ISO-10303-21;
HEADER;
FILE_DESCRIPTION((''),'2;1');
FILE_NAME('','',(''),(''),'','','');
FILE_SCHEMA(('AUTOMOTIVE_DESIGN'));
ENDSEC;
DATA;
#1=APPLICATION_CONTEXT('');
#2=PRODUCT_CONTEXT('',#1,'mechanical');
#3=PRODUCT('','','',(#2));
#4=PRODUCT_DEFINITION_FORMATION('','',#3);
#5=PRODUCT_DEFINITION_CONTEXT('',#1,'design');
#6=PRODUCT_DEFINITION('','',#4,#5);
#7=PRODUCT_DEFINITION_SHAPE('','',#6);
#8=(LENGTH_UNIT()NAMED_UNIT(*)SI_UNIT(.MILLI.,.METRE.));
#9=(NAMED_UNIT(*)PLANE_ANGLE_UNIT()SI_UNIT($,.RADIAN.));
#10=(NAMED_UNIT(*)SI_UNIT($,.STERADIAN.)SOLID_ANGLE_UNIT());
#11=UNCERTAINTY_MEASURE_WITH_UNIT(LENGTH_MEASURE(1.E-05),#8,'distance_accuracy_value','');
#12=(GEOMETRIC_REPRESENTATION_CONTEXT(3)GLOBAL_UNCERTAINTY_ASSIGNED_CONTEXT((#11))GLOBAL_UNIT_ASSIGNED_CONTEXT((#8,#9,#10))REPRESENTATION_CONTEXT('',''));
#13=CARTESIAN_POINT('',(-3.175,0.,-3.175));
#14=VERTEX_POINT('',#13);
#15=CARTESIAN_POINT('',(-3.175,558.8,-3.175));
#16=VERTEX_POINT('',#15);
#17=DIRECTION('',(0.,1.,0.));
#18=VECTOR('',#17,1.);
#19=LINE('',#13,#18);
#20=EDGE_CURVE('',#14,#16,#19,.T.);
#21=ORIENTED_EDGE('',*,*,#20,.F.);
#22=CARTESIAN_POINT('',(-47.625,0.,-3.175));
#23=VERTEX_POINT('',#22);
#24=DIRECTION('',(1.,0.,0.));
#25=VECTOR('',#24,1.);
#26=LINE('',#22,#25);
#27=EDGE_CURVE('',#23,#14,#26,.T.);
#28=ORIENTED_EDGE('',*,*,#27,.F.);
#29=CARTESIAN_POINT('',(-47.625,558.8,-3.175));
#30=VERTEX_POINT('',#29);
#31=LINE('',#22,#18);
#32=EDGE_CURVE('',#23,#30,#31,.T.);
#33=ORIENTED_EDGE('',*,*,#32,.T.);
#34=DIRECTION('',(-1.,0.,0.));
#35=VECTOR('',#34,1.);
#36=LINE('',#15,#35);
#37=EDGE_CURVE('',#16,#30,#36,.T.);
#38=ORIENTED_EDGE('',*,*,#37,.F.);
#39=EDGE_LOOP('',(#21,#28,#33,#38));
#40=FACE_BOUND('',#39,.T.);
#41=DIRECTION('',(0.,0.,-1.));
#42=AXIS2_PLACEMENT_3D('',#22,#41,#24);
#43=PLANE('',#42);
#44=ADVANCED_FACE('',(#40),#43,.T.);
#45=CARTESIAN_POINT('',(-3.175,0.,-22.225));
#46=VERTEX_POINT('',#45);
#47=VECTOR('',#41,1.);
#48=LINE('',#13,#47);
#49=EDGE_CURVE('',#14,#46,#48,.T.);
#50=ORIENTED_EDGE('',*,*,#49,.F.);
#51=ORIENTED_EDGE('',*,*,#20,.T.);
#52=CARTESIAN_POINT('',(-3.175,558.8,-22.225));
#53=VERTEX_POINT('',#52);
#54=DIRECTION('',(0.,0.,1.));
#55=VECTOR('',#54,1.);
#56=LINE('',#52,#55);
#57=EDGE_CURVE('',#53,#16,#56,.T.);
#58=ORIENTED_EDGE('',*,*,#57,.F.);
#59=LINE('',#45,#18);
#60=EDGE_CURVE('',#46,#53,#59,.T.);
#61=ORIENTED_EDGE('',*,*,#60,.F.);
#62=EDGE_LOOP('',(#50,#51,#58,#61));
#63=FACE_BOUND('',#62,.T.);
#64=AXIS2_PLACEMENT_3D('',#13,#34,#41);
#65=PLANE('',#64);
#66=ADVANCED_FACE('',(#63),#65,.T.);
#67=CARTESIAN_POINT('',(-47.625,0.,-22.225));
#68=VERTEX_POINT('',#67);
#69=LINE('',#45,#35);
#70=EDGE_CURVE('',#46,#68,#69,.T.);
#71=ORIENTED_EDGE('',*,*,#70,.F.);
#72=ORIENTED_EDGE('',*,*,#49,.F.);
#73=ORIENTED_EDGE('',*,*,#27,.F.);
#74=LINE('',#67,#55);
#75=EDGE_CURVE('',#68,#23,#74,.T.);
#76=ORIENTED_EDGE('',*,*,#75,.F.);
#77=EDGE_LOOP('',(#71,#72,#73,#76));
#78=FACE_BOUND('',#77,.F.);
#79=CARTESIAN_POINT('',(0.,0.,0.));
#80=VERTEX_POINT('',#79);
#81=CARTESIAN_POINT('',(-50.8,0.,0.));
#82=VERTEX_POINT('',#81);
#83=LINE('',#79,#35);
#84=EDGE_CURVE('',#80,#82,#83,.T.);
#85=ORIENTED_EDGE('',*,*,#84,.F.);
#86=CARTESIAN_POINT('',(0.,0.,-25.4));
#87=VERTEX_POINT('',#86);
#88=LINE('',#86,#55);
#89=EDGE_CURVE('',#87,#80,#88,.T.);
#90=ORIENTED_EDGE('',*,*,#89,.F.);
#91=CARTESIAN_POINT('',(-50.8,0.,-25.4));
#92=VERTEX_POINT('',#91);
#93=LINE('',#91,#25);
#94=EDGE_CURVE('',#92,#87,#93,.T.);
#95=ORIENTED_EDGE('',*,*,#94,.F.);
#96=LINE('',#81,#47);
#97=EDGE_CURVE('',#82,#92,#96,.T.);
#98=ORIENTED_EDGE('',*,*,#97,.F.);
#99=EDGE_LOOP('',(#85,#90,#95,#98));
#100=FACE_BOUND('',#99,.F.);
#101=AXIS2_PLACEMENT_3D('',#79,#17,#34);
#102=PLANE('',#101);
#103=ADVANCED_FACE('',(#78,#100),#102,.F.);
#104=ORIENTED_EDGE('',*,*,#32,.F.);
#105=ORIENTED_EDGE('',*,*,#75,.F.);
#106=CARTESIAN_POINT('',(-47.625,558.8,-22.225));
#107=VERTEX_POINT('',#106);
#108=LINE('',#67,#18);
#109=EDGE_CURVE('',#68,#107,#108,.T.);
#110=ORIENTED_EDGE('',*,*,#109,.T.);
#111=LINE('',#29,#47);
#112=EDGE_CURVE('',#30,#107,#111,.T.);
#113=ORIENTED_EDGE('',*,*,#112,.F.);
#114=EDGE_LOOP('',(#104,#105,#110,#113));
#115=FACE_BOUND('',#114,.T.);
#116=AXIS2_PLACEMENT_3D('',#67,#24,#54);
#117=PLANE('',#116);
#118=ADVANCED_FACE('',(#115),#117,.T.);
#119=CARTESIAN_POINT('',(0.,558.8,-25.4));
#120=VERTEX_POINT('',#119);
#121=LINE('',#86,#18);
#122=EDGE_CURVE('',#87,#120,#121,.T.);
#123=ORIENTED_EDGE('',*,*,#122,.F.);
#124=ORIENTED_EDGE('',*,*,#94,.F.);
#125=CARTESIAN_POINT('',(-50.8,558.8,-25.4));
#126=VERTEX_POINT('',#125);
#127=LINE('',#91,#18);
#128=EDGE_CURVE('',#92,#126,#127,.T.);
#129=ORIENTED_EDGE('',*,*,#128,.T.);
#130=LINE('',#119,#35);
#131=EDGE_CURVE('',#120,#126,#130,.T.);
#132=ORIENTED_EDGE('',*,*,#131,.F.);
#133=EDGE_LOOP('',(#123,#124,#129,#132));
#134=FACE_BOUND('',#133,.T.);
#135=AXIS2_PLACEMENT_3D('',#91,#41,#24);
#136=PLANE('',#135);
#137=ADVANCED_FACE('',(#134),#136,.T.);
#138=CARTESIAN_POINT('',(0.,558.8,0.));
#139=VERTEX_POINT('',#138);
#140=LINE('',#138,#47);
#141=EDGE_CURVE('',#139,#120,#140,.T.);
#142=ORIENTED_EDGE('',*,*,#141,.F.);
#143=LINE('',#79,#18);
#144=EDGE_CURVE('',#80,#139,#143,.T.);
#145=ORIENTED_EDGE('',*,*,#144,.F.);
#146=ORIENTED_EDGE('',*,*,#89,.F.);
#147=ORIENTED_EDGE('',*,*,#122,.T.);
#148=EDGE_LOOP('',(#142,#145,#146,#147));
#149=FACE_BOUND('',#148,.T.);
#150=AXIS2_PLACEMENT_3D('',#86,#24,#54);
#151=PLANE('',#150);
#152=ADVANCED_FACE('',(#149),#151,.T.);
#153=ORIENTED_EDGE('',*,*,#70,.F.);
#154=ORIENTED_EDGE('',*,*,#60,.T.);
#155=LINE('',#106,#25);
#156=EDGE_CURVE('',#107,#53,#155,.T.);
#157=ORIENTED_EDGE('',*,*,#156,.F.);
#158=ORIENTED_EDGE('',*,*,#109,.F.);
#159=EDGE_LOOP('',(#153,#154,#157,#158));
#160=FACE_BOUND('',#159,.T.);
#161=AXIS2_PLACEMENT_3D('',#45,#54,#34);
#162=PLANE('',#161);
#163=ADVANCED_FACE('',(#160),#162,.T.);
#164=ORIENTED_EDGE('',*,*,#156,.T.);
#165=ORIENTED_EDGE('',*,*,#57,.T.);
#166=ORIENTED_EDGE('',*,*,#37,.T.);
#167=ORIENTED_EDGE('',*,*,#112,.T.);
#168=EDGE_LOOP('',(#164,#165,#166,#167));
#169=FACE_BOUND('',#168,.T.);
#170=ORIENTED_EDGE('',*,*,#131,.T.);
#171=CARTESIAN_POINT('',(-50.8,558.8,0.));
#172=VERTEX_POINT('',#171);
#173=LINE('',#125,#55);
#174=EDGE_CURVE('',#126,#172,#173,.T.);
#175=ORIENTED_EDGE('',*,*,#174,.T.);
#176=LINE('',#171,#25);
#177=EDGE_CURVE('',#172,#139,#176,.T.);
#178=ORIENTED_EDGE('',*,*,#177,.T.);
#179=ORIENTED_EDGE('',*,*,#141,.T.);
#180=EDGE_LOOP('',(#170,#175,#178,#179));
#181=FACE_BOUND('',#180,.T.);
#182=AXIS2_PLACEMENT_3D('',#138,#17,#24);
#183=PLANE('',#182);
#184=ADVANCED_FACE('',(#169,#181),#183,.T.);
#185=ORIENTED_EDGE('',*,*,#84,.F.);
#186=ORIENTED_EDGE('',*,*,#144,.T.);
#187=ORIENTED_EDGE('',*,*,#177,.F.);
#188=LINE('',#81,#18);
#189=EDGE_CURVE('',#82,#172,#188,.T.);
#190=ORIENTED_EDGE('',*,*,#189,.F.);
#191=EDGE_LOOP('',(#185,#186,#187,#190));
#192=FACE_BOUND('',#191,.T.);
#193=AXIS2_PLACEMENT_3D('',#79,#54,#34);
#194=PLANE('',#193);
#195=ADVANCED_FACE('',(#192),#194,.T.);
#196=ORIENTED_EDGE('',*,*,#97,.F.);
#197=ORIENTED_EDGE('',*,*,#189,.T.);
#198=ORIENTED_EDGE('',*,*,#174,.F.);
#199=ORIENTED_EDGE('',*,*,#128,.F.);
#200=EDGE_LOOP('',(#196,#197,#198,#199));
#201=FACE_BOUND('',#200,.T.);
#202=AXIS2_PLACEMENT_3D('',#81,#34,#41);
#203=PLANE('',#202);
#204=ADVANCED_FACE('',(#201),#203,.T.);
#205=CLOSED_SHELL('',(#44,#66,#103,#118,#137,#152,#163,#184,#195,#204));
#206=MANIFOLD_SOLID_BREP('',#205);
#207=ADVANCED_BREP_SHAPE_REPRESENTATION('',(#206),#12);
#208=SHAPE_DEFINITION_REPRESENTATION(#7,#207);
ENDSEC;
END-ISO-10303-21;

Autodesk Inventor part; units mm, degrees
ref_plane "YZ Plane" through (0, 0, 0) normal (1, 0, 0) x (0, 1, 0)
ref_plane "XZ Plane" through (0, 0, 0) normal (0, 1, 0) x (-1, 0, 0)
ref_plane "XY Plane" through (0, 0, 0) normal (0, 0, 1) x (1, 0, 0)
sketch "Sketch1" plane through (0, 0, 0) normal (0, 1, 0) x (-1, 0, 0)
  line L0 (0, 0) -> (50.8, 0)
  line L1 (50.8, 0) -> (50.8, -25.4)
  line L2 (50.8, -25.4) -> (0, -25.4)
  line L3 (0, -25.4) -> (0, 0)
  line L4 (47.625, -22.225) -> (47.625, -3.175)
  line L5 (47.625, -3.175) -> (3.175, -3.175)
  line L6 (3.175, -3.175) -> (3.175, -22.225)
  line L7 (3.175, -22.225) -> (47.625, -22.225)
  dimension "d0" = 50.8
  dimension "d1" = 25.4
  dimension "d2" = 3.175
extrude "Extrusion1" add sketch "Sketch1" along normal blind 584.2
sketch "Sketch2" plane through (0, 584.2, 0) normal (0, 1, 0) x (1, 0, 0)
  line L0 (-47.625, 22.225) -> (-3.175, 22.225) projected
  line L1 (-3.175, 22.225) -> (-3.175, 3.175) projected
  line L2 (-3.175, 3.175) -> (-47.625, 3.175) projected
  line L3 (-47.625, 3.175) -> (-47.625, 22.225) projected
  line L4 (-50.8, 0) -> (0, 0) projected
  line L5 (0, 0) -> (0, 25.4) projected
  line L6 (0, 25.4) -> (-50.8, 25.4) projected
  line L7 (-50.8, 25.4) -> (-50.8, 0) projected
extrude "Extrusion2" cut sketch "Sketch2" against normal blind 25.4
properties part number "ElectricalBoardSupport.ver1-1111-2019"
